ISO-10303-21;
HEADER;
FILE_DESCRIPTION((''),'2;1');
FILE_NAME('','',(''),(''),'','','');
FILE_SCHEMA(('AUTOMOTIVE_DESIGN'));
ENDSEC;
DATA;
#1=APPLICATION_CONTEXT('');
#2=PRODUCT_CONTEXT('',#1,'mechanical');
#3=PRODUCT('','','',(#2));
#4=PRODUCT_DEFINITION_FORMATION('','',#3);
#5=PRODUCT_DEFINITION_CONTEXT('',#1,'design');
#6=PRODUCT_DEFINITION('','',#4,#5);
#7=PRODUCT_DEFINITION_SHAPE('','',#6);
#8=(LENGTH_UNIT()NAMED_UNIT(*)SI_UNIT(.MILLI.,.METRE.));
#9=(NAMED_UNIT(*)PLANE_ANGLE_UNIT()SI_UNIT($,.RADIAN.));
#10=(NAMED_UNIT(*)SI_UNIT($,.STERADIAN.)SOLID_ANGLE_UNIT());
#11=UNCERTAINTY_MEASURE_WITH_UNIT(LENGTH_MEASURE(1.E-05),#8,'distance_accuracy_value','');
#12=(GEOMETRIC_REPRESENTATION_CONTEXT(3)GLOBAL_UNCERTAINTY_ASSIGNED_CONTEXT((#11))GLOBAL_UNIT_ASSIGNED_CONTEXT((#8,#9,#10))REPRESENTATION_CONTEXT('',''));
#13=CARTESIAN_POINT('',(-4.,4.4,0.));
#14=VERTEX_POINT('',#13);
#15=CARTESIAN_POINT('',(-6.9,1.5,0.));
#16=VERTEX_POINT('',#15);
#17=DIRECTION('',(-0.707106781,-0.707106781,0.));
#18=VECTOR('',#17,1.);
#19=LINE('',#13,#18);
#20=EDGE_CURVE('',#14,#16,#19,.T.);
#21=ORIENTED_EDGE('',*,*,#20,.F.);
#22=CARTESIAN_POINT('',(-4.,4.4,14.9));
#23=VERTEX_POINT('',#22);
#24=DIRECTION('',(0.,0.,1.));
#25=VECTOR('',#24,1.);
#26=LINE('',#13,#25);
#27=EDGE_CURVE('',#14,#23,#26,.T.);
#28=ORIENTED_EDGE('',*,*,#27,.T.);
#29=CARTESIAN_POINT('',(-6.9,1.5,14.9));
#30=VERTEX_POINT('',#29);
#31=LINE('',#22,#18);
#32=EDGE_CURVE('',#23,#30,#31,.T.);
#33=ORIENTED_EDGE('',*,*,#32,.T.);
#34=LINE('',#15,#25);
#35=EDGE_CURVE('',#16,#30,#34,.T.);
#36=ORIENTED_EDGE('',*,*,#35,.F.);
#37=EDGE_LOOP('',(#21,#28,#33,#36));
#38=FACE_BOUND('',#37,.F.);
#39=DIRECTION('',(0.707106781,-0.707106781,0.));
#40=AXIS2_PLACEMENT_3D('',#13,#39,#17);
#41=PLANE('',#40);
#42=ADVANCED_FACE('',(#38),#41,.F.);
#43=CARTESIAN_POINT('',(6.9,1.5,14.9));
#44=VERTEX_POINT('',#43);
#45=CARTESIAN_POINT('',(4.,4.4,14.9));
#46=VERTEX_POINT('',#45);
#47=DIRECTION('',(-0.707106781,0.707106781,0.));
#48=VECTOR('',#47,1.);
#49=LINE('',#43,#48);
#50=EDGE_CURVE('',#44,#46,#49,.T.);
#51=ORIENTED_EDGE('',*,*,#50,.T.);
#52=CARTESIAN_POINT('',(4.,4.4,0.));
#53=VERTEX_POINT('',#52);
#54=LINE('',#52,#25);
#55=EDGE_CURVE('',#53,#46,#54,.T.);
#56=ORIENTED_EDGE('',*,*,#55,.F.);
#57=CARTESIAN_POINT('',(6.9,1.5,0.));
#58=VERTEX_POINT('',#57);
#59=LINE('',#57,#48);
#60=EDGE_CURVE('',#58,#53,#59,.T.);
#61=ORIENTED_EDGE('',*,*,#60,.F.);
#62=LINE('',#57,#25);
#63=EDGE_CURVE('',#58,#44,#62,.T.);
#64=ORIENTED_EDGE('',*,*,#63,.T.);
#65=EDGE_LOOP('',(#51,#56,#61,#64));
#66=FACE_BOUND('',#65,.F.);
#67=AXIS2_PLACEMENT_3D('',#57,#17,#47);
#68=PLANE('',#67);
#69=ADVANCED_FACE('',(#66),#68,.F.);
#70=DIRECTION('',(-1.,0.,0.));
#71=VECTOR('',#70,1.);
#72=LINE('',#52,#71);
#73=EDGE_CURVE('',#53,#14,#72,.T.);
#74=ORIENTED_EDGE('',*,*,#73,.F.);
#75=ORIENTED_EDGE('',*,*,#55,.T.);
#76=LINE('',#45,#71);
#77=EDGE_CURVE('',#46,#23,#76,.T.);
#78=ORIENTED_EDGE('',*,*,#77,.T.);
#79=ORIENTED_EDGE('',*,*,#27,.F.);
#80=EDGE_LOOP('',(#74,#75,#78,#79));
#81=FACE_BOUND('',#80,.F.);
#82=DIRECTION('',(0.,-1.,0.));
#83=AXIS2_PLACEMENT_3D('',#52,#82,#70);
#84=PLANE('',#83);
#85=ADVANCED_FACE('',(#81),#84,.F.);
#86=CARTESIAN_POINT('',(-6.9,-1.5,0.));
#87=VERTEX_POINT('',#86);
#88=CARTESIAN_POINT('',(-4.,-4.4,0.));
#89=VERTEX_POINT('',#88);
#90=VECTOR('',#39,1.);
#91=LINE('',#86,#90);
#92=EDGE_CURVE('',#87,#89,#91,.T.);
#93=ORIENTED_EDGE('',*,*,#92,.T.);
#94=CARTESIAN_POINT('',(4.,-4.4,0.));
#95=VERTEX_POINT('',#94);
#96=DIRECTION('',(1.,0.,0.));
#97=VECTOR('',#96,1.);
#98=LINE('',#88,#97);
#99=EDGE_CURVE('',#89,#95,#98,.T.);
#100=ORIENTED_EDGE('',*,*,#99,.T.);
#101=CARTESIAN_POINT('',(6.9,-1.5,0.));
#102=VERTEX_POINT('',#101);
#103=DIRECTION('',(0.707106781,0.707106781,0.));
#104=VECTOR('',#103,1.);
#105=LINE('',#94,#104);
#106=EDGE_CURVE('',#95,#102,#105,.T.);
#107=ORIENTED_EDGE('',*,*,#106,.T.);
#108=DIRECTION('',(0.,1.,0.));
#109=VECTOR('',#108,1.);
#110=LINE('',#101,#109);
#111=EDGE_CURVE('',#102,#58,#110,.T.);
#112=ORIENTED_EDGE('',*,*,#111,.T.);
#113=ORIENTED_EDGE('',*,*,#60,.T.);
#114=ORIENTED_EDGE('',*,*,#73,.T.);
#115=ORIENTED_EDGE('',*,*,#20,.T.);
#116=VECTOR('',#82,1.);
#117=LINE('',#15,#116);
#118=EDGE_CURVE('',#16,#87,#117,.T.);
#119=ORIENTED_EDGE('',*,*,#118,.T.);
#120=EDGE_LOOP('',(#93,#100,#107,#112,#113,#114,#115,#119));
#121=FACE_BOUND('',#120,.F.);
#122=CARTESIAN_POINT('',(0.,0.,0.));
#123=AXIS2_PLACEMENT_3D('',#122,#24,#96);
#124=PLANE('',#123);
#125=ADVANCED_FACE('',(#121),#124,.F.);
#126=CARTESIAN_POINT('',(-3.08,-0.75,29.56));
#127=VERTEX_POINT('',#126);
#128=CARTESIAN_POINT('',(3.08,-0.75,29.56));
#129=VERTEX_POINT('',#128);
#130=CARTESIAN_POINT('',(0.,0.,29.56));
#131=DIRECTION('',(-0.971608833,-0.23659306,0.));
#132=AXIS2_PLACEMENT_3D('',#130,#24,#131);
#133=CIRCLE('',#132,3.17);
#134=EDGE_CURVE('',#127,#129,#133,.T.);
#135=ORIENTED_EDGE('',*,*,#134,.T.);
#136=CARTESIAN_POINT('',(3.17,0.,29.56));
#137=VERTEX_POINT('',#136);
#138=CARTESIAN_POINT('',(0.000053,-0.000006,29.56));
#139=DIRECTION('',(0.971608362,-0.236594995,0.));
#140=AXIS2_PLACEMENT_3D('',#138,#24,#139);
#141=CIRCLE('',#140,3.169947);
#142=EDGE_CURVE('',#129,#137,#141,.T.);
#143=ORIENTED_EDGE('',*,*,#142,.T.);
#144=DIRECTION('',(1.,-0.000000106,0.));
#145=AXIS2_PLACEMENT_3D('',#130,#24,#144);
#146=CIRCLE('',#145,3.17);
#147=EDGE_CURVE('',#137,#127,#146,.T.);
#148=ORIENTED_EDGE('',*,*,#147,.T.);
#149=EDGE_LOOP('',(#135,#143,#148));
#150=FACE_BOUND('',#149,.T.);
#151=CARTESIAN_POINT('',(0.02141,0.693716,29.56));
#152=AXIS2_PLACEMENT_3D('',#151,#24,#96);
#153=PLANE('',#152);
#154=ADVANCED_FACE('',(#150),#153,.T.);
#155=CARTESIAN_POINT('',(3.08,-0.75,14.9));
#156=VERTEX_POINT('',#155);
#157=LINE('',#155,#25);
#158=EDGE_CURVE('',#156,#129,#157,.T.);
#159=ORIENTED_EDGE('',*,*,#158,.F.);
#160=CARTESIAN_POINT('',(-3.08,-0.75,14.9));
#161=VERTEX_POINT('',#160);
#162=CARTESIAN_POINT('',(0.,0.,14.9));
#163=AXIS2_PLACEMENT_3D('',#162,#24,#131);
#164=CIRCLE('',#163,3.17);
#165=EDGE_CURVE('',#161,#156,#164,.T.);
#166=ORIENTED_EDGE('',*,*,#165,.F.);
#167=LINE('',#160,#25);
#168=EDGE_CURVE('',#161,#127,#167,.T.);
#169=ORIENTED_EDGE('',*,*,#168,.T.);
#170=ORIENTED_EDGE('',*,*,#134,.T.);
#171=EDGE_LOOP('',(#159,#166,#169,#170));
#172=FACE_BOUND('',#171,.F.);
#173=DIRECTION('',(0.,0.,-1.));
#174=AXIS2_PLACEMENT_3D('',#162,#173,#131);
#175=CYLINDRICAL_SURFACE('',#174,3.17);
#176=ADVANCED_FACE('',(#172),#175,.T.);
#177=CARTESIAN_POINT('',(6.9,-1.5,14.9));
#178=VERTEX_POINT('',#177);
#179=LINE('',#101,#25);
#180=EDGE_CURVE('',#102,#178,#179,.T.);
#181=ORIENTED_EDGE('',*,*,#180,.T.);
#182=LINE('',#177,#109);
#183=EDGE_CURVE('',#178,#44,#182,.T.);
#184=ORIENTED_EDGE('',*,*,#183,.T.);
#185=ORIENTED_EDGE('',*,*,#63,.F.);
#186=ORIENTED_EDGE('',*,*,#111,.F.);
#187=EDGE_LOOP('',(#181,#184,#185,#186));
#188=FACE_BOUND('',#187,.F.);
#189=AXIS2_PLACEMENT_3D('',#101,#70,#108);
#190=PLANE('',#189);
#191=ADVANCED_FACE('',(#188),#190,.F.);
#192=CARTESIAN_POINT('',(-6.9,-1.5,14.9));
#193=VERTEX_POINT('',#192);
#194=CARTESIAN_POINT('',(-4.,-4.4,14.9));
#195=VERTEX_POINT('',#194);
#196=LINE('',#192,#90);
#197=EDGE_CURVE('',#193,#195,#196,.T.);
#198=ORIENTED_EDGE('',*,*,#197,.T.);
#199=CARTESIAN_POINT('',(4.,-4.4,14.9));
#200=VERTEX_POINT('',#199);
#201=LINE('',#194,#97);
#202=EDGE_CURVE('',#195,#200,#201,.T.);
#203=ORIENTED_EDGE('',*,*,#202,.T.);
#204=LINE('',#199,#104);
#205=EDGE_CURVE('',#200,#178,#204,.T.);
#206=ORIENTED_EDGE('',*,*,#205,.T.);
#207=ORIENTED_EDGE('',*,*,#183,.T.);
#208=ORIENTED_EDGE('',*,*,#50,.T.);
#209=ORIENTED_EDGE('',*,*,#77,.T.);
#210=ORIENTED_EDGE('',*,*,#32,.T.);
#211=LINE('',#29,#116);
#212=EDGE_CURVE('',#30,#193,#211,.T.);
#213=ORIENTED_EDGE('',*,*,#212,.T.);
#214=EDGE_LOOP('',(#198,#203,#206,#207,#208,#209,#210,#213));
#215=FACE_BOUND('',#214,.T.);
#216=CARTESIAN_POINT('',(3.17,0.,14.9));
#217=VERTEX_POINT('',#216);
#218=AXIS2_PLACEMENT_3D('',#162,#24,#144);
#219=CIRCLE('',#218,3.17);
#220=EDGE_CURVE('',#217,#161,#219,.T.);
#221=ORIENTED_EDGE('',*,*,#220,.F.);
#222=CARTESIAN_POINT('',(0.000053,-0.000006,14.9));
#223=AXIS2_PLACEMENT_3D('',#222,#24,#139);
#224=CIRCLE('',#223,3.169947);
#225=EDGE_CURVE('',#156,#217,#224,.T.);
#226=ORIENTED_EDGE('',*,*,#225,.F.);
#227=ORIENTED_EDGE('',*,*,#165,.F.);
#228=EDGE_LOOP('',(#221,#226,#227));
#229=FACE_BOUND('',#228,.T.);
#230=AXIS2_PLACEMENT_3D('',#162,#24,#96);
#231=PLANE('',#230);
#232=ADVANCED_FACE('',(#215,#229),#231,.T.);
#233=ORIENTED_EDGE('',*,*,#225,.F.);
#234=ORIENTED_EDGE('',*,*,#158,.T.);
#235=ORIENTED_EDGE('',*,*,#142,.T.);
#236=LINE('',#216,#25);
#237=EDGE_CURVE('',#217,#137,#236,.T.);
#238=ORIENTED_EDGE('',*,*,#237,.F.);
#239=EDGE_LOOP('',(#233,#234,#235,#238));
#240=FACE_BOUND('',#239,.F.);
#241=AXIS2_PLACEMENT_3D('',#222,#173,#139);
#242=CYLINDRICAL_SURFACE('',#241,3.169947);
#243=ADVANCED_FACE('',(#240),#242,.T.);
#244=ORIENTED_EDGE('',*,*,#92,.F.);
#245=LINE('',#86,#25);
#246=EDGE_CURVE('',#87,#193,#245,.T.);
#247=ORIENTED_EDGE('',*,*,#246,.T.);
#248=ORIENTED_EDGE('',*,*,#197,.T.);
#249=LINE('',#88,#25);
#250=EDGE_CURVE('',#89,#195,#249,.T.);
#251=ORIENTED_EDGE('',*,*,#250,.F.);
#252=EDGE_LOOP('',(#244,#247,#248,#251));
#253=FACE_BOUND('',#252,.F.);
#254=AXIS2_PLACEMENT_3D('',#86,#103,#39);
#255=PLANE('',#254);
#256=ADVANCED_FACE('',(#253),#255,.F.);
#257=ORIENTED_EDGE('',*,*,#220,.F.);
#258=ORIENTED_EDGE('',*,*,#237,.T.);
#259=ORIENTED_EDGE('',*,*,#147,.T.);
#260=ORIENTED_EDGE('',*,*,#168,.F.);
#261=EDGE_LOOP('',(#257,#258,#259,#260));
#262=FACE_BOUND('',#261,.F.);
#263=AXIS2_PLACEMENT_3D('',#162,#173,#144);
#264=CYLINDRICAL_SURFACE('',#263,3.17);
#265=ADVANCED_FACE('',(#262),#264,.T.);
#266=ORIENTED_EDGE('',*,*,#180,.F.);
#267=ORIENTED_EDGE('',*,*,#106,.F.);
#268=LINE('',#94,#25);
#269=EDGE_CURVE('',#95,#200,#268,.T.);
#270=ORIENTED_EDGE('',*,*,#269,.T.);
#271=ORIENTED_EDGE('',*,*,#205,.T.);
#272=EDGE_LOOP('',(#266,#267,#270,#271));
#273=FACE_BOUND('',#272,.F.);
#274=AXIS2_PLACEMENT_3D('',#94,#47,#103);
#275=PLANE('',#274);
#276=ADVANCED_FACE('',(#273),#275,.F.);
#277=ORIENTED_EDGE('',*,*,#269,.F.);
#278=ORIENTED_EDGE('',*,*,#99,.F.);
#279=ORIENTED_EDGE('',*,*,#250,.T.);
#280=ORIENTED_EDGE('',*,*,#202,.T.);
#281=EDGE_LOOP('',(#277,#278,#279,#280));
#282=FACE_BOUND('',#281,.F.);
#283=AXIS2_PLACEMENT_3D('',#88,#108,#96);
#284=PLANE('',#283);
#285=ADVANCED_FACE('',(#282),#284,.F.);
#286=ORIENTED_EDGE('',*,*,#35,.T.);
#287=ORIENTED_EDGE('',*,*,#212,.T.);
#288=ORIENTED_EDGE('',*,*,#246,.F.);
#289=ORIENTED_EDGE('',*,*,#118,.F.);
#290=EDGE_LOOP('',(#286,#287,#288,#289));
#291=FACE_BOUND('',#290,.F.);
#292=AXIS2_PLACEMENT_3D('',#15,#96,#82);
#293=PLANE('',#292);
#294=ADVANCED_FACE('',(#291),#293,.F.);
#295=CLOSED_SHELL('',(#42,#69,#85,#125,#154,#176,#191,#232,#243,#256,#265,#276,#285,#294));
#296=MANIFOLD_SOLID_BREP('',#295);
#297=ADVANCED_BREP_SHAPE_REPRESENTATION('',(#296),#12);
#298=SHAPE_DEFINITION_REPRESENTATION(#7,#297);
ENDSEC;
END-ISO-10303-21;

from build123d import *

# Parameters (mm, degrees)
F1_DEPTH = 14.9
F3_DEPTH = 14.66


with BuildPart() as f1:
    # F0 (on Top) → F1 (new body)
    with BuildSketch(Plane.XY):
        Polygon((-4, -4.4), (0, -4.4), (4, -4.4), (6.9, -1.5), (6.9, 1.5), (4, 4.4), (-4, 4.4), (-6.9, 1.5), (-6.9, -1.5), align=None)
    extrude(amount=F1_DEPTH)

    # F2 (on face) → F3 (join)
    with BuildSketch(Plane.XY.offset(14.9)):
        with BuildLine():
            ThreePointArc((3.08, -0.75), (3.14742, -0.37769), (3.17, 0))
            ThreePointArc((3.17, 0), (-0.37769, 3.14742), (-3.08, -0.75))
            Line((-3.08, -0.75), (0, -0.75))
            Line((0, -0.75), (3.08, -0.75))
        make_face()
        with BuildLine():
            Line((0, -0.75), (-3.08, -0.75))
            ThreePointArc((-3.08, -0.75), (0, -3.17), (3.08, -0.75))
            Line((3.08, -0.75), (0, -0.75))
        make_face()
    extrude(amount=F3_DEPTH)


solid = f1.part
